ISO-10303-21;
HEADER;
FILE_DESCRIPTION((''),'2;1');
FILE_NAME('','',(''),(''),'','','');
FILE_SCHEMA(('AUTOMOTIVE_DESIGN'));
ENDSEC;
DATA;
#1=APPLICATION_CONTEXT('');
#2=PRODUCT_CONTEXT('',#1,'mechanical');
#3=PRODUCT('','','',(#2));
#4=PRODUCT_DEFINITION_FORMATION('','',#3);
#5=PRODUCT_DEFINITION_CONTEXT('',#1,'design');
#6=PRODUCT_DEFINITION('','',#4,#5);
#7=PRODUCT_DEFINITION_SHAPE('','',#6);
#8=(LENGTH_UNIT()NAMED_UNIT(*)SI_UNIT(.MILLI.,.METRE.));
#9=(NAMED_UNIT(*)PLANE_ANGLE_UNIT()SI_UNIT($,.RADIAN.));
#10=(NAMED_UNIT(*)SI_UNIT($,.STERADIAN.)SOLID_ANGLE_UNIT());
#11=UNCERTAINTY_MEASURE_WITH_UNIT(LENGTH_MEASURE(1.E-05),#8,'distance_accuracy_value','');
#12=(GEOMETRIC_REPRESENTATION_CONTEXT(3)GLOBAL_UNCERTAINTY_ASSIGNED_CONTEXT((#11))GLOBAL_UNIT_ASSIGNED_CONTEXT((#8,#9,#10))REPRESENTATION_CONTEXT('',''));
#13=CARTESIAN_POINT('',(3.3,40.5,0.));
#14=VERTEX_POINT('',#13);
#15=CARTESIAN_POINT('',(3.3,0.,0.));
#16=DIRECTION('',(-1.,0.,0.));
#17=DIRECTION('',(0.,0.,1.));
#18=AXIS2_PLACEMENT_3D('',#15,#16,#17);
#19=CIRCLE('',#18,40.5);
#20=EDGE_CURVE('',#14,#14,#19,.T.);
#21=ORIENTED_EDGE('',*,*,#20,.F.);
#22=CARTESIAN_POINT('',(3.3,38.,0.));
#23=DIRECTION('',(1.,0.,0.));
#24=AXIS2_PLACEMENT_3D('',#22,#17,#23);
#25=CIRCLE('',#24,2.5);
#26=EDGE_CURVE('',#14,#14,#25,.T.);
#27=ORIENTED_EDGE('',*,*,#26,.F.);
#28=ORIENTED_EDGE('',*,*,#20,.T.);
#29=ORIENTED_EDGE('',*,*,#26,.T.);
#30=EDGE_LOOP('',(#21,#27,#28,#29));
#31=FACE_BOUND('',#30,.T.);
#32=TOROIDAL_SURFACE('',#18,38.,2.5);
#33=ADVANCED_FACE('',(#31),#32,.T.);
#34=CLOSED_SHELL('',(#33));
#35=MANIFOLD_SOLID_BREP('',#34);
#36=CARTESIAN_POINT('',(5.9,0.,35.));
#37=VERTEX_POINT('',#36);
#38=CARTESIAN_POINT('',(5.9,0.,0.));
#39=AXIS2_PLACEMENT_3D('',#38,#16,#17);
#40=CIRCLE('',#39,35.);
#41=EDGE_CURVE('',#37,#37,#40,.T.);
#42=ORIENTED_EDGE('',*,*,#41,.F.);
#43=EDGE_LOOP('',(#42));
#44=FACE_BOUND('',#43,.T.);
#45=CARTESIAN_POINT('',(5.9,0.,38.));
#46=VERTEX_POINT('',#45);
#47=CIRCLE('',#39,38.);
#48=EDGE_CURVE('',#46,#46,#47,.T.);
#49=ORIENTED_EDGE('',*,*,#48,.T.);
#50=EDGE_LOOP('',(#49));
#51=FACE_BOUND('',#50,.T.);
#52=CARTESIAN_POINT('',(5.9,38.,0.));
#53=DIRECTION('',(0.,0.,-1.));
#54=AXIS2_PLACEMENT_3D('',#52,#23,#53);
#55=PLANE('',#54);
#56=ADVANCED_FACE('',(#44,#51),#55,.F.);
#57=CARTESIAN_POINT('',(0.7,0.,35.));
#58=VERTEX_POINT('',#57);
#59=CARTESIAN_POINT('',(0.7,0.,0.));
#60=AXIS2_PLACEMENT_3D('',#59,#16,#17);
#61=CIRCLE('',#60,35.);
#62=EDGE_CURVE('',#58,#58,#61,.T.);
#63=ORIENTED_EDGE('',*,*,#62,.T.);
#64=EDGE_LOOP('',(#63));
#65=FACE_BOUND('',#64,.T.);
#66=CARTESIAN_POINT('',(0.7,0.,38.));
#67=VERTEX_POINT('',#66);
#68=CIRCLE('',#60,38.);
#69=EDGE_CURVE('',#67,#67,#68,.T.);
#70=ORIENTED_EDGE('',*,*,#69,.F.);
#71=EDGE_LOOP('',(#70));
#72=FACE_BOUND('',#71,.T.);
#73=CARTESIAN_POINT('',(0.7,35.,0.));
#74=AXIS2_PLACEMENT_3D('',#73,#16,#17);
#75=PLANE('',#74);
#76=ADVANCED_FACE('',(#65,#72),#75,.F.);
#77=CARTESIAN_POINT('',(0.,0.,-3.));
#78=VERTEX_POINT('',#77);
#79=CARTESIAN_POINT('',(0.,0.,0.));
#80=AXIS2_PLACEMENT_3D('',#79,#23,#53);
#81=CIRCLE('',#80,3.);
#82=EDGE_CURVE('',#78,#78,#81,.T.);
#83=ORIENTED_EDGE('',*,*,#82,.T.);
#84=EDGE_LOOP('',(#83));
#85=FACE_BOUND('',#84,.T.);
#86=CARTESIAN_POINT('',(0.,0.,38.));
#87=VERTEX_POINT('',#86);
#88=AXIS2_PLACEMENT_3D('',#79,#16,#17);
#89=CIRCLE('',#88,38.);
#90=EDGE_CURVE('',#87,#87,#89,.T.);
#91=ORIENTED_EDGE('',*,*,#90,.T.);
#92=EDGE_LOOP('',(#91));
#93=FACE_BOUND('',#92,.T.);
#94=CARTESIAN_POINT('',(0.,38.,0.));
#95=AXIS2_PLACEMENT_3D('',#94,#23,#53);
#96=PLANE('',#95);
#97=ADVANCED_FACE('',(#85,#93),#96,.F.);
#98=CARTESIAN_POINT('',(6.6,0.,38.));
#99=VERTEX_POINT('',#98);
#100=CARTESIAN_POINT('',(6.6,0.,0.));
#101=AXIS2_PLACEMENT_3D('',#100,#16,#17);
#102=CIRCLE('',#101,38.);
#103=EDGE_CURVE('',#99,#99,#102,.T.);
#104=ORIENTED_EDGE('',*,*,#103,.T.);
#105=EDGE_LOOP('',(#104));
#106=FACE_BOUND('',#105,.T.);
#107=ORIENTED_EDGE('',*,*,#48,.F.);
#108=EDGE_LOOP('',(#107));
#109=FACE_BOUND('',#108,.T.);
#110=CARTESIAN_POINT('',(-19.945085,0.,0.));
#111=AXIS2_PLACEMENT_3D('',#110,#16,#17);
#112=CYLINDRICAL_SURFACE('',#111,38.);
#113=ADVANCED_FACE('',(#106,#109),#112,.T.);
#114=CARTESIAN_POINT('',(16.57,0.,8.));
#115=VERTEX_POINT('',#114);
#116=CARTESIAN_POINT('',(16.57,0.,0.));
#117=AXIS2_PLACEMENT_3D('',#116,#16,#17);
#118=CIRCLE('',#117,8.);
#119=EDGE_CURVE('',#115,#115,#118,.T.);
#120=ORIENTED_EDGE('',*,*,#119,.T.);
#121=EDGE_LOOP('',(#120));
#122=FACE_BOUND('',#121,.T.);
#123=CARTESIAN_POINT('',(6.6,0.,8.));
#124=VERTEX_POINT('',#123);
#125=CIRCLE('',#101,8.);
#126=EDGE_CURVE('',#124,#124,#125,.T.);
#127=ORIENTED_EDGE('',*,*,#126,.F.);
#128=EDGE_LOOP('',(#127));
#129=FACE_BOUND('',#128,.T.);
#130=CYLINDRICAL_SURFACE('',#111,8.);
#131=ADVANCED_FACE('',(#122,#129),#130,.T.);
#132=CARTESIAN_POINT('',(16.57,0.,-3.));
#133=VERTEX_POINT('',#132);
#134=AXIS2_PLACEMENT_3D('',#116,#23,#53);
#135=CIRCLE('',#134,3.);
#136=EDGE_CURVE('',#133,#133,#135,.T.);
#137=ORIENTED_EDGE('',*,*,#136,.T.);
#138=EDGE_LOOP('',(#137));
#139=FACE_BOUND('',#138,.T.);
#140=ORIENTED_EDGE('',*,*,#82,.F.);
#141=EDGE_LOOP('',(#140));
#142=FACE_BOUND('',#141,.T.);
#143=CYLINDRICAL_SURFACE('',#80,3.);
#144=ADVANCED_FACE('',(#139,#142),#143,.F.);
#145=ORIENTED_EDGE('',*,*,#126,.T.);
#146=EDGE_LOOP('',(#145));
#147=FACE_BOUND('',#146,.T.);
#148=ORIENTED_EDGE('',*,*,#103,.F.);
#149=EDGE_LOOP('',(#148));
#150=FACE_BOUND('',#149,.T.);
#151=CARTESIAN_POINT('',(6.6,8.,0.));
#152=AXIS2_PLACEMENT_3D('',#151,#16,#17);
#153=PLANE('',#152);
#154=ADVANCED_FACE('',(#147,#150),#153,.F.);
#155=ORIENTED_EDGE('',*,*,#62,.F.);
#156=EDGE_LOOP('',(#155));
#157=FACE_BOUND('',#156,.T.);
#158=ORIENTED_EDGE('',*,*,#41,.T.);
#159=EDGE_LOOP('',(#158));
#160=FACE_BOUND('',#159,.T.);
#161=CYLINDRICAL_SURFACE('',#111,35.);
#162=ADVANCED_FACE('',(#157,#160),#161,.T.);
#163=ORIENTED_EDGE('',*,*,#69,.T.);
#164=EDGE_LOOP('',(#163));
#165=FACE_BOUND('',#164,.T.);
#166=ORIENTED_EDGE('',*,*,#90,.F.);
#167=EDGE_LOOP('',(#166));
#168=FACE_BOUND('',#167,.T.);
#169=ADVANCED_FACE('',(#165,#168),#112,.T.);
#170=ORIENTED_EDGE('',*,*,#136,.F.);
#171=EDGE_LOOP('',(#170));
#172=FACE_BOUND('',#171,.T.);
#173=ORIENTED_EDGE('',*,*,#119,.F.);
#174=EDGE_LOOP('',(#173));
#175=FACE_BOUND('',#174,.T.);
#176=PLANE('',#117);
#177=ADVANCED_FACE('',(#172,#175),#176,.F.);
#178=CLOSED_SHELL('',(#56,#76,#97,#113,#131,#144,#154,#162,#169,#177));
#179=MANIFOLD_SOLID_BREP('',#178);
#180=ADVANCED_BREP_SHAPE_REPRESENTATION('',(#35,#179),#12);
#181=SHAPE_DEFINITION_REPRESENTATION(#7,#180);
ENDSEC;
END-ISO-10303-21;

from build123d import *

# Parameters (mm, degrees)
ESQUISSE2_R             = 3
ENL_V_MAT_EXTRU_1_DEPTH = 17.57
ESQUISSE5_R             = 2.5


with BuildPart() as part:
    # Esquisse1 → Révolution1 (revolve)
    with BuildSketch(Plane.XY):
        Polygon((0, 0), (16.57, 0), (16.57, 8), (6.6, 8), (6.6, 38), (5.9, 38), (5.9, 35), (0.7, 35), (0.7, 38), (0, 38), align=None)
    revolve(axis=Axis((-19.945085304, 0, 0), (1, 0, 0)))

    # Esquisse2 → Enlèv. mat.-Extru.1 (cut, through all)
    with BuildSketch(Plane(origin=(16.57, 0, 0), x_dir=(0, 0, -1), z_dir=(1, 0, 0))):
        Circle(ESQUISSE2_R)
    extrude(amount=-ENL_V_MAT_EXTRU_1_DEPTH, mode=Mode.SUBTRACT)


with BuildPart() as body_2:
    # Balayage1: sweep along a path in Esquisse4
    with BuildLine(Plane(origin=(3.3, 0, 0), x_dir=(0, 0, -1), z_dir=(1, 0, 0))) as balayage1_path:
        CenterArc((0, 0), 38.5, 0, 360)
    # Esquisse5 → Balayage1 (sweep)
    with BuildSketch(Plane.XY):
        with Locations((3.3, 38)):
            Circle(ESQUISSE5_R)
    sweep(path=balayage1_path.line)


solid = Compound([part.part, body_2.part])
